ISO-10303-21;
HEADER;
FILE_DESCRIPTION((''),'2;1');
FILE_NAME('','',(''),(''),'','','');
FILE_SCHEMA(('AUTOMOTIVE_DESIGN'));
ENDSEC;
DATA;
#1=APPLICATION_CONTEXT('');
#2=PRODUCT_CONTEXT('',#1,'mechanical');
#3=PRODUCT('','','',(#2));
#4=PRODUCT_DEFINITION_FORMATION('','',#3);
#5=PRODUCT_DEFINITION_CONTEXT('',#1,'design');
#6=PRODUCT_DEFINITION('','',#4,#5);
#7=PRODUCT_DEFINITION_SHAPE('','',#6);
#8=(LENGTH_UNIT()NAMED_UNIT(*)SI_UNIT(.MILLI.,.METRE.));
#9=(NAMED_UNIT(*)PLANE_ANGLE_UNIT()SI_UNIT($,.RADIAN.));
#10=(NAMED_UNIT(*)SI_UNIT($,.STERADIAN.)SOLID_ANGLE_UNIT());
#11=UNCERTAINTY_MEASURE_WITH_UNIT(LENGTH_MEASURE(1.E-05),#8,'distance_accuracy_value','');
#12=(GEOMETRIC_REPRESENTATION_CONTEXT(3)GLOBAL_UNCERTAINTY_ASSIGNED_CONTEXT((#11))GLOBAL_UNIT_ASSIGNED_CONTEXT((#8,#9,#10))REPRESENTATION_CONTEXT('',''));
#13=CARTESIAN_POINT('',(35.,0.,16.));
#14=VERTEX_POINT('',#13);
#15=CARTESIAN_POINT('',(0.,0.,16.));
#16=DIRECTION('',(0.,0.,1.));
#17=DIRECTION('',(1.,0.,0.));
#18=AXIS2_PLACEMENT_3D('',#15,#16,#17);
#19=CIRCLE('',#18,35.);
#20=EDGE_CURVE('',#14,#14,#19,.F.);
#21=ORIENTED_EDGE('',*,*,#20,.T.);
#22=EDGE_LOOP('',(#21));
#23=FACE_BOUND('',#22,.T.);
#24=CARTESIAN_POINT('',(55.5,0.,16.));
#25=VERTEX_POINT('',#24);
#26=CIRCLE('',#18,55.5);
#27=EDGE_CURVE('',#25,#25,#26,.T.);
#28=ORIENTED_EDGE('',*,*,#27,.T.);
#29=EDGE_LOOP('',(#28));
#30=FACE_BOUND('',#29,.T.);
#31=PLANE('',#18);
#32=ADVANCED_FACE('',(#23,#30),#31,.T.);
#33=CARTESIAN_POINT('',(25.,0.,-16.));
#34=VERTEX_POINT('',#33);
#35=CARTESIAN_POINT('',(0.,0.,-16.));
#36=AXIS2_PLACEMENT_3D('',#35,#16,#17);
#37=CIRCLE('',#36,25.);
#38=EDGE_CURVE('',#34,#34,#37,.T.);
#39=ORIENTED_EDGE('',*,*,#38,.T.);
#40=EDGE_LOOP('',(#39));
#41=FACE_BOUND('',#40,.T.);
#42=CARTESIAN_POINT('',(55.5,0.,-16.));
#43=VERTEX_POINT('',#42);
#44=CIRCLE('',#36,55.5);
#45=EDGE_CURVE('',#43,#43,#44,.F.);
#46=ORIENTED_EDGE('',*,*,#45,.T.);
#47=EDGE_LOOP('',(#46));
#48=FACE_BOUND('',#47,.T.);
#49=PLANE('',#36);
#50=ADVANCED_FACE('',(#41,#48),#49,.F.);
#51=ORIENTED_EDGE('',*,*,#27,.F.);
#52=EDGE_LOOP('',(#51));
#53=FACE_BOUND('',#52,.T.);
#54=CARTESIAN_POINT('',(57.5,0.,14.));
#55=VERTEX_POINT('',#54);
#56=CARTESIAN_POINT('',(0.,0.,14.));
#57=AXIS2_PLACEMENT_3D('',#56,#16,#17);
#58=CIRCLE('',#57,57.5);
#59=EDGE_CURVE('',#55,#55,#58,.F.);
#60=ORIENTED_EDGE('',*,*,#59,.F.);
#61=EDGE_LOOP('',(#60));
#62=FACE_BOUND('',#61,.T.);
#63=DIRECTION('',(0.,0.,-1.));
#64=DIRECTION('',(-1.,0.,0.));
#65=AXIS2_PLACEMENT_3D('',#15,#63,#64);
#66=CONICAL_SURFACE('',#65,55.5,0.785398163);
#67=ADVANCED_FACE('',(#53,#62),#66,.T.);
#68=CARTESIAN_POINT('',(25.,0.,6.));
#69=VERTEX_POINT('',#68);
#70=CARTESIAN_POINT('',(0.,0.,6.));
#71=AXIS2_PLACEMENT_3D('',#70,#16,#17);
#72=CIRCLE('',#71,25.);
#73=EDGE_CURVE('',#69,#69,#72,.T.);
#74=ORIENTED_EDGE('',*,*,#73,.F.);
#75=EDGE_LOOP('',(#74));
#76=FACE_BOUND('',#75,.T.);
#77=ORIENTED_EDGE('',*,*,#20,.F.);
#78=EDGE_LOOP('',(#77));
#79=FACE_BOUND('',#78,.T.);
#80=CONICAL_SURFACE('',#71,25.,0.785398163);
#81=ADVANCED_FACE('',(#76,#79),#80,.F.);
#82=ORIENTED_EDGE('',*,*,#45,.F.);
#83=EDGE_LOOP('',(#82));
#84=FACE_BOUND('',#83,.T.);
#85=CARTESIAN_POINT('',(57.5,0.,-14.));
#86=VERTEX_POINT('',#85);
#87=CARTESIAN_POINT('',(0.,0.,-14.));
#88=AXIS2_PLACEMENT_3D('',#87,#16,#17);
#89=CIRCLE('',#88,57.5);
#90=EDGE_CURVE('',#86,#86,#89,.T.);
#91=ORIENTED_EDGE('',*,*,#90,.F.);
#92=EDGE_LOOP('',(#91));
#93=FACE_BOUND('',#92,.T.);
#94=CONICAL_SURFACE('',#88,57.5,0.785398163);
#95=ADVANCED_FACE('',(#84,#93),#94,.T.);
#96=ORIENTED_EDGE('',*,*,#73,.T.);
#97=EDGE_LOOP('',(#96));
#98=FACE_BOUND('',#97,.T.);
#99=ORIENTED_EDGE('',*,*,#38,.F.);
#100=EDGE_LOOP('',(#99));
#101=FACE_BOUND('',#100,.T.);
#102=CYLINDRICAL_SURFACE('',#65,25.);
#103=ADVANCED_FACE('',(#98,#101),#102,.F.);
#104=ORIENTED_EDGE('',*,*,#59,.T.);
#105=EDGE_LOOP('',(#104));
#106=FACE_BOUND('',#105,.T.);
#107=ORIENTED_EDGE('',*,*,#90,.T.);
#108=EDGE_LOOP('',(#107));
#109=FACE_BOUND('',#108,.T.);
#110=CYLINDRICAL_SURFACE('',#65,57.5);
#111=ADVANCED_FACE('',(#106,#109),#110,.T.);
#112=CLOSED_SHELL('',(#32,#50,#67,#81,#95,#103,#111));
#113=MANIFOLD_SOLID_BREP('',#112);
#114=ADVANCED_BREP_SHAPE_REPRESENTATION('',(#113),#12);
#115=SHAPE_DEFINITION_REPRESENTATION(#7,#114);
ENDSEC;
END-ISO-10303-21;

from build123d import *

# Parameters (mm, degrees)
SKETCH1_R           = 57.5
SKETCH1_R_2         = 25
BOSS_EXTRUDE1_DEPTH = 16
CHAMFER1_SIZE       = 2
CHAMFER2_SIZE       = 10


with BuildPart() as part:
    # Sketch1 → Boss-Extrude1 (new, symmetric)
    with BuildSketch(Plane.XY):
        Circle(SKETCH1_R)
        Circle(SKETCH1_R_2, mode=Mode.SUBTRACT)
    extrude(amount=BOSS_EXTRUDE1_DEPTH, both=True)

    # Chamfer1
    chamfer1_edges = [part.edges().sort_by_distance(p)[0] for p in [
        (-57.5, 0, -16),
        (-57.5, 0, 16),
    ]]
    chamfer(chamfer1_edges, length=CHAMFER1_SIZE)

    # Chamfer2
    chamfer2_edges = [part.edges().sort_by_distance(p)[0] for p in [
        (-25, 0, 16),
    ]]
    chamfer(chamfer2_edges, length=CHAMFER2_SIZE)


solid = part.part
